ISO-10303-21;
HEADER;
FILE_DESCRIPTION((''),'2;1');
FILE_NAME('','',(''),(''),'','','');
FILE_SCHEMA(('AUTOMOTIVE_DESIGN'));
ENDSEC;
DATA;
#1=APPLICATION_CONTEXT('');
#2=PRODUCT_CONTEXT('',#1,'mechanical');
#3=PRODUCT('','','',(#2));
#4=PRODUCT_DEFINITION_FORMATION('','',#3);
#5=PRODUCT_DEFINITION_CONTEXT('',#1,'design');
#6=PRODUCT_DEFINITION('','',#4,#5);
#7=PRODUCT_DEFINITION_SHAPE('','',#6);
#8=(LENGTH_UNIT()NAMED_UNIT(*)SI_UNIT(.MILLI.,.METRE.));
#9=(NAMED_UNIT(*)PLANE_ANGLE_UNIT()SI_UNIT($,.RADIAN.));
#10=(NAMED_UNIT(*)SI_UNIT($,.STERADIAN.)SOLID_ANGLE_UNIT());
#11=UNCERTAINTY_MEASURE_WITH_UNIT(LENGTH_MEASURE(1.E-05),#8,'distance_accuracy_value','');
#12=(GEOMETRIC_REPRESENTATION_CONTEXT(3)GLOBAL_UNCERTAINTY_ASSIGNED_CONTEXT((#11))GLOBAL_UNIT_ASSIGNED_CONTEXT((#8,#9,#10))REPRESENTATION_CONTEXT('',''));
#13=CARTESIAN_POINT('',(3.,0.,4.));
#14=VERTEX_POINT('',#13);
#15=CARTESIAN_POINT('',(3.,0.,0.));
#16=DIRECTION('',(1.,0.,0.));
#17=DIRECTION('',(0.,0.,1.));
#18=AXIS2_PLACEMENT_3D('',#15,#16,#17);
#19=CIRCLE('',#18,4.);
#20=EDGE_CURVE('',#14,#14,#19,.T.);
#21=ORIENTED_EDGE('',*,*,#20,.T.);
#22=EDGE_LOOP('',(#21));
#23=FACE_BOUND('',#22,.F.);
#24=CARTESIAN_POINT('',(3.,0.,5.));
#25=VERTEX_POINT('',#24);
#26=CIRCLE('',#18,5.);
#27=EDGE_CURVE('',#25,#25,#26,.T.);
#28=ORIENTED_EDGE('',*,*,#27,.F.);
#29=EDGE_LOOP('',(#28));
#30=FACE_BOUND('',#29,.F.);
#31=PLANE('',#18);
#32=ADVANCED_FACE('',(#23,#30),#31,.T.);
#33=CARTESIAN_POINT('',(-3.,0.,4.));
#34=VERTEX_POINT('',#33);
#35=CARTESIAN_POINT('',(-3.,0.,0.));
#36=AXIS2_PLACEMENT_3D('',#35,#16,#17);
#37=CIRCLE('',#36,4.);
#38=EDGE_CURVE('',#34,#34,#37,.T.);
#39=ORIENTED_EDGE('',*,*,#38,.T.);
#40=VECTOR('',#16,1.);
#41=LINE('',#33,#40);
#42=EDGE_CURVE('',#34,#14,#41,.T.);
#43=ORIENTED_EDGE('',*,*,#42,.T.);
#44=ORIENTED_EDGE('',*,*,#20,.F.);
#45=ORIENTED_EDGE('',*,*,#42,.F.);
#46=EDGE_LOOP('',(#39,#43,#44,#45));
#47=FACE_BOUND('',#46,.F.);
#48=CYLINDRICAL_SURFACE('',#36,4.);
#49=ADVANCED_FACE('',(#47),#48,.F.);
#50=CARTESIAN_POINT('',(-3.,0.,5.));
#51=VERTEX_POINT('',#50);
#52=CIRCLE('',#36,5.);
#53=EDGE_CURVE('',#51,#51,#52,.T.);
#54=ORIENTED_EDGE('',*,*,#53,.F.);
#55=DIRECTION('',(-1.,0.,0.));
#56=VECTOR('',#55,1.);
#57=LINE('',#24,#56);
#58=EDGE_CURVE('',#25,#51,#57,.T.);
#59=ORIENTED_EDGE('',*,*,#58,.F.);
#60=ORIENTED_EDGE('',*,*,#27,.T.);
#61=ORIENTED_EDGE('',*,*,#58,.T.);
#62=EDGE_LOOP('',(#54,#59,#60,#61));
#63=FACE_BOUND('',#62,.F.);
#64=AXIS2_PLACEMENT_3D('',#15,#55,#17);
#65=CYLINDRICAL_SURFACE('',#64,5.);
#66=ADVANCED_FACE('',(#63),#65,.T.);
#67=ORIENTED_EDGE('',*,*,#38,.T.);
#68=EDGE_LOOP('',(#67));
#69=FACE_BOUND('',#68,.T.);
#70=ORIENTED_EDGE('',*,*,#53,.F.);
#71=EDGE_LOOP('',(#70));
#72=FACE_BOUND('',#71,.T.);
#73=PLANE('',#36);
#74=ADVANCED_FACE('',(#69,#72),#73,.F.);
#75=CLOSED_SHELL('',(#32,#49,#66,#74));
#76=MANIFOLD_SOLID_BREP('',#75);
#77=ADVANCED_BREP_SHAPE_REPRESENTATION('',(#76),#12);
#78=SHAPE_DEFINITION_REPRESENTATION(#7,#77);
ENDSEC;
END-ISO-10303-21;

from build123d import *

# Parameters (mm, degrees)
F0_W = 3
F0_H = 1


with BuildPart() as f1:
    # F0 (on Front) → F1 (revolve)
    with BuildSketch(Plane.XZ):
        with Locations((-1.5, 4.5)):
            Rectangle(F0_W, F0_H)
        with Locations((1.5, 4.5)):
            Rectangle(F0_W, F0_H)
    revolve(axis=Axis((3.925161, 0, 0), (1, 0, 0)))


solid = f1.part
